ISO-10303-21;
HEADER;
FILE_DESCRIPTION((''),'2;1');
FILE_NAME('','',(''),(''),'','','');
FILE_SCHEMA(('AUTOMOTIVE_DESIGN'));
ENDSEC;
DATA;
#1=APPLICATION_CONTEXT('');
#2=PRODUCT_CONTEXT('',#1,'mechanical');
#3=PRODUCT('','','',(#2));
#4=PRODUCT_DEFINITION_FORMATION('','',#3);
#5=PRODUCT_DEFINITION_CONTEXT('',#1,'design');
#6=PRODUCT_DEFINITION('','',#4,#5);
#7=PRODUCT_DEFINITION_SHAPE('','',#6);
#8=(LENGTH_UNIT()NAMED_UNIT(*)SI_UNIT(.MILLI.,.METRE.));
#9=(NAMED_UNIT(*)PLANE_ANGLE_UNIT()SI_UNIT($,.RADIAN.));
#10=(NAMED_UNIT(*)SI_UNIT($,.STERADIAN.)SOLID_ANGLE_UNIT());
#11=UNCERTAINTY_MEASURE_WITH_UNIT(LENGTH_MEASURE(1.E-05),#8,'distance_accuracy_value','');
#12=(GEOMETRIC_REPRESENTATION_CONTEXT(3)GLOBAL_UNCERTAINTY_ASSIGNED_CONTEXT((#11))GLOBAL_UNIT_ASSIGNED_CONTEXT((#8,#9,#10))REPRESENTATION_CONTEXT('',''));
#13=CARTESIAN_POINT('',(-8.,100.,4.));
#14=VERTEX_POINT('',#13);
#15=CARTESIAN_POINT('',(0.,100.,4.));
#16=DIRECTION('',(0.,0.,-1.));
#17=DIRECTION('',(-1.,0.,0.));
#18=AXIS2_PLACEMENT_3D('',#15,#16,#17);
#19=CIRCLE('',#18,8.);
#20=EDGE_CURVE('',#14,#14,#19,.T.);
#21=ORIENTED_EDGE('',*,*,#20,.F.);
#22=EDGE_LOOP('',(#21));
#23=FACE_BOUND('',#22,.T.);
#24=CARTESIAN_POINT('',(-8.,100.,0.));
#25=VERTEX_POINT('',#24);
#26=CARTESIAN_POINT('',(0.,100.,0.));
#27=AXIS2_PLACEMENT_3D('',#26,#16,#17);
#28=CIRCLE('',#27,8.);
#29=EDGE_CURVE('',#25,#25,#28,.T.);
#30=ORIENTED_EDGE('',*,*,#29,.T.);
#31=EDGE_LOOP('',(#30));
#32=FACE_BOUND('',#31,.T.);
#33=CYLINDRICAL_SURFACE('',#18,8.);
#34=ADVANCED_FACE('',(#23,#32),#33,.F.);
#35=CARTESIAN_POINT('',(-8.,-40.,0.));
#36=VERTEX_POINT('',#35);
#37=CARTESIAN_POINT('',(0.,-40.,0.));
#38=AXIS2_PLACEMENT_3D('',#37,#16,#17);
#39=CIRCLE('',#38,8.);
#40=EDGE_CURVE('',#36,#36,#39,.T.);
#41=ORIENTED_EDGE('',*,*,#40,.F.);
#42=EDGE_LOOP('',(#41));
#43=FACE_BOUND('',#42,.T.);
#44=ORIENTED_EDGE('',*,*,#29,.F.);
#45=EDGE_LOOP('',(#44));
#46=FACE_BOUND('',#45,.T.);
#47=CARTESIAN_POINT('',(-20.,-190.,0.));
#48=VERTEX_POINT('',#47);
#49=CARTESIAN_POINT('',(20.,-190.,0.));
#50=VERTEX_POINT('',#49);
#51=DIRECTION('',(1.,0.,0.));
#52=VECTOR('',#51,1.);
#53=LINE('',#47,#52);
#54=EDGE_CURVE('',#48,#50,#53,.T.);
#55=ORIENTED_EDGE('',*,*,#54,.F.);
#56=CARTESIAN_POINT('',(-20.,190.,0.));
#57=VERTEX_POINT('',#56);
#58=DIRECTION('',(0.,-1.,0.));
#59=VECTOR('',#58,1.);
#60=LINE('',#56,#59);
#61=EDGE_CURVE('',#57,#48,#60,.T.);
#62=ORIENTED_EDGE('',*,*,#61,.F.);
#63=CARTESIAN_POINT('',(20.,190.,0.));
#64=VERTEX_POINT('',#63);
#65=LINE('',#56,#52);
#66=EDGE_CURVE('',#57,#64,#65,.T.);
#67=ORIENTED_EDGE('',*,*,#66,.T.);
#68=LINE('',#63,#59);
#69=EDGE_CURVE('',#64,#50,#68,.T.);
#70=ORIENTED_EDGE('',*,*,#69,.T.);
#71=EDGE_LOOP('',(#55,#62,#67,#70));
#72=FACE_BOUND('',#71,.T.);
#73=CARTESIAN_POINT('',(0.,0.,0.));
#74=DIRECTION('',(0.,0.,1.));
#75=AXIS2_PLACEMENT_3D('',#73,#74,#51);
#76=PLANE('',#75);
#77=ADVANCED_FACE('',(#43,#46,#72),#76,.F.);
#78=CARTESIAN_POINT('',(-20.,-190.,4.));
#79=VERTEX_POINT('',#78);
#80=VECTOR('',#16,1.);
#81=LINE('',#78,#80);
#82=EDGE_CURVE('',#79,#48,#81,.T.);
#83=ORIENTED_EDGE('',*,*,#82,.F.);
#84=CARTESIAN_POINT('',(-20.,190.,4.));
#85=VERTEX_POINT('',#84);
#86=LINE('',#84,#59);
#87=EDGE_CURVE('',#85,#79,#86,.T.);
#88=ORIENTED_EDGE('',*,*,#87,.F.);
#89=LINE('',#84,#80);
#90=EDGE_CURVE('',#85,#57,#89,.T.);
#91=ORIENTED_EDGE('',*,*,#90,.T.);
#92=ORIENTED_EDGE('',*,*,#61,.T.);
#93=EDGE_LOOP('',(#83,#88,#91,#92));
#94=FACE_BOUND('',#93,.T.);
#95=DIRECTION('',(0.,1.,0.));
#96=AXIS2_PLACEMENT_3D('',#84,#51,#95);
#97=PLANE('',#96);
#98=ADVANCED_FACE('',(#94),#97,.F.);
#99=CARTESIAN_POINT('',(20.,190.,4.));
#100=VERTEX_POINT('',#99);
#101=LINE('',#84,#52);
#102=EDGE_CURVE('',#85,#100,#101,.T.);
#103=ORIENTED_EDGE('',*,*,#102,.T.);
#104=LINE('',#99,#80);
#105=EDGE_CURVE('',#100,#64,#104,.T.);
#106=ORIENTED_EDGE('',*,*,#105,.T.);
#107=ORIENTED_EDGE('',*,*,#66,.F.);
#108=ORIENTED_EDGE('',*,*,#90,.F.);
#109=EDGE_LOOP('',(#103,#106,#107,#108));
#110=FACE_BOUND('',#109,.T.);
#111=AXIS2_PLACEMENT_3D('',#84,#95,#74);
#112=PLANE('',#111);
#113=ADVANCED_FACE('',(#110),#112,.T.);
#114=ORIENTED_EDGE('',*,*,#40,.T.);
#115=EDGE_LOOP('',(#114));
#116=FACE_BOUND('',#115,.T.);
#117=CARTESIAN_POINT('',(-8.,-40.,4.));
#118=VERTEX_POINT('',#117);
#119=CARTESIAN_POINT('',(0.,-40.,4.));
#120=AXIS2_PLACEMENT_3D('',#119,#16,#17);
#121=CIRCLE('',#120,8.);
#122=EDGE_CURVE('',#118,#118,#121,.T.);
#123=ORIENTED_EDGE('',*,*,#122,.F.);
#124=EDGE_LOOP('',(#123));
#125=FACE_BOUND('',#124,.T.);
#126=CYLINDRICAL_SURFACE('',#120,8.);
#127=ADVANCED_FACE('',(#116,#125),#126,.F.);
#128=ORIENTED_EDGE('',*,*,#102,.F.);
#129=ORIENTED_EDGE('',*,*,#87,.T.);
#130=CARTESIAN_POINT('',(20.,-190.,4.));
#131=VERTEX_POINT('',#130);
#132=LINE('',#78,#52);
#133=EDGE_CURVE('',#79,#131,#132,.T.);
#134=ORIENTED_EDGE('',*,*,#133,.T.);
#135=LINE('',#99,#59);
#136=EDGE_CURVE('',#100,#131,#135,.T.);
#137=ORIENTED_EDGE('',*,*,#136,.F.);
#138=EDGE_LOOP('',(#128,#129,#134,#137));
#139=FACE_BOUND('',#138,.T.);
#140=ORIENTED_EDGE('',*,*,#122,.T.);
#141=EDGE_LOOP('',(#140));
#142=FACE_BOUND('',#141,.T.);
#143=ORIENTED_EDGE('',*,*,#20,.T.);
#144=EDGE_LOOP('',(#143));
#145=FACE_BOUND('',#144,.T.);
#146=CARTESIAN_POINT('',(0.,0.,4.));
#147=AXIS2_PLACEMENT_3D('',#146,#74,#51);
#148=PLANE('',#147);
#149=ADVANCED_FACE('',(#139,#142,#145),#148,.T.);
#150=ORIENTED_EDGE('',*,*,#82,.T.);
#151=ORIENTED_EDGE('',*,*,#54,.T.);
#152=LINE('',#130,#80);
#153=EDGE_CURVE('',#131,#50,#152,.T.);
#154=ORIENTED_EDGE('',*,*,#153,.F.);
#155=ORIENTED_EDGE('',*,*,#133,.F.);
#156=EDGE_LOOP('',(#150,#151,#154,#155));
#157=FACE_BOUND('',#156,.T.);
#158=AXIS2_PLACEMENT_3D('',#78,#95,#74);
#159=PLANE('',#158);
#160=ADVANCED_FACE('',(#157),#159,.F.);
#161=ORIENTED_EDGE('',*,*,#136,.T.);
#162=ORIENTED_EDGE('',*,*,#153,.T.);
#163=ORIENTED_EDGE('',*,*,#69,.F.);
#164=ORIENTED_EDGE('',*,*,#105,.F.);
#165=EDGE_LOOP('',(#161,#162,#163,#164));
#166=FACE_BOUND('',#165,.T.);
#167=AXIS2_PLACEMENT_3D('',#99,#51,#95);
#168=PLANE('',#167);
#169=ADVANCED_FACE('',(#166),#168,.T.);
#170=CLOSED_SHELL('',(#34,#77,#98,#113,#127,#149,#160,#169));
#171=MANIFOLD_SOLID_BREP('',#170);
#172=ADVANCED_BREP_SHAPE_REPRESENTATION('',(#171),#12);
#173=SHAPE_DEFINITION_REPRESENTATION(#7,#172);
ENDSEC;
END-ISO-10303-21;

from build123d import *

# Parameters (mm, degrees)
SKETCH1_W           = 40
SKETCH1_H           = 380
BOSS_EXTRUDE1_DEPTH = 4
SKETCH2_R           = 8
CUT_EXTRUDE1_DEPTH  = 4


with BuildPart() as part:
    # Sketch1 → Boss-Extrude1 (new body)
    with BuildSketch(Plane.XY):
        Rectangle(SKETCH1_W, SKETCH1_H)
    extrude(amount=BOSS_EXTRUDE1_DEPTH)

    # Sketch2 → Cut-Extrude1 (cut)
    with BuildSketch(Plane(origin=(0, 0, 0), x_dir=(-1, 0, 0), z_dir=(0, 0, -1))):
        with Locations((0, 100)):
            Circle(SKETCH2_R)
        with Locations((0, -40)):
            Circle(SKETCH2_R)
    extrude(amount=-CUT_EXTRUDE1_DEPTH, mode=Mode.SUBTRACT)


solid = part.part
